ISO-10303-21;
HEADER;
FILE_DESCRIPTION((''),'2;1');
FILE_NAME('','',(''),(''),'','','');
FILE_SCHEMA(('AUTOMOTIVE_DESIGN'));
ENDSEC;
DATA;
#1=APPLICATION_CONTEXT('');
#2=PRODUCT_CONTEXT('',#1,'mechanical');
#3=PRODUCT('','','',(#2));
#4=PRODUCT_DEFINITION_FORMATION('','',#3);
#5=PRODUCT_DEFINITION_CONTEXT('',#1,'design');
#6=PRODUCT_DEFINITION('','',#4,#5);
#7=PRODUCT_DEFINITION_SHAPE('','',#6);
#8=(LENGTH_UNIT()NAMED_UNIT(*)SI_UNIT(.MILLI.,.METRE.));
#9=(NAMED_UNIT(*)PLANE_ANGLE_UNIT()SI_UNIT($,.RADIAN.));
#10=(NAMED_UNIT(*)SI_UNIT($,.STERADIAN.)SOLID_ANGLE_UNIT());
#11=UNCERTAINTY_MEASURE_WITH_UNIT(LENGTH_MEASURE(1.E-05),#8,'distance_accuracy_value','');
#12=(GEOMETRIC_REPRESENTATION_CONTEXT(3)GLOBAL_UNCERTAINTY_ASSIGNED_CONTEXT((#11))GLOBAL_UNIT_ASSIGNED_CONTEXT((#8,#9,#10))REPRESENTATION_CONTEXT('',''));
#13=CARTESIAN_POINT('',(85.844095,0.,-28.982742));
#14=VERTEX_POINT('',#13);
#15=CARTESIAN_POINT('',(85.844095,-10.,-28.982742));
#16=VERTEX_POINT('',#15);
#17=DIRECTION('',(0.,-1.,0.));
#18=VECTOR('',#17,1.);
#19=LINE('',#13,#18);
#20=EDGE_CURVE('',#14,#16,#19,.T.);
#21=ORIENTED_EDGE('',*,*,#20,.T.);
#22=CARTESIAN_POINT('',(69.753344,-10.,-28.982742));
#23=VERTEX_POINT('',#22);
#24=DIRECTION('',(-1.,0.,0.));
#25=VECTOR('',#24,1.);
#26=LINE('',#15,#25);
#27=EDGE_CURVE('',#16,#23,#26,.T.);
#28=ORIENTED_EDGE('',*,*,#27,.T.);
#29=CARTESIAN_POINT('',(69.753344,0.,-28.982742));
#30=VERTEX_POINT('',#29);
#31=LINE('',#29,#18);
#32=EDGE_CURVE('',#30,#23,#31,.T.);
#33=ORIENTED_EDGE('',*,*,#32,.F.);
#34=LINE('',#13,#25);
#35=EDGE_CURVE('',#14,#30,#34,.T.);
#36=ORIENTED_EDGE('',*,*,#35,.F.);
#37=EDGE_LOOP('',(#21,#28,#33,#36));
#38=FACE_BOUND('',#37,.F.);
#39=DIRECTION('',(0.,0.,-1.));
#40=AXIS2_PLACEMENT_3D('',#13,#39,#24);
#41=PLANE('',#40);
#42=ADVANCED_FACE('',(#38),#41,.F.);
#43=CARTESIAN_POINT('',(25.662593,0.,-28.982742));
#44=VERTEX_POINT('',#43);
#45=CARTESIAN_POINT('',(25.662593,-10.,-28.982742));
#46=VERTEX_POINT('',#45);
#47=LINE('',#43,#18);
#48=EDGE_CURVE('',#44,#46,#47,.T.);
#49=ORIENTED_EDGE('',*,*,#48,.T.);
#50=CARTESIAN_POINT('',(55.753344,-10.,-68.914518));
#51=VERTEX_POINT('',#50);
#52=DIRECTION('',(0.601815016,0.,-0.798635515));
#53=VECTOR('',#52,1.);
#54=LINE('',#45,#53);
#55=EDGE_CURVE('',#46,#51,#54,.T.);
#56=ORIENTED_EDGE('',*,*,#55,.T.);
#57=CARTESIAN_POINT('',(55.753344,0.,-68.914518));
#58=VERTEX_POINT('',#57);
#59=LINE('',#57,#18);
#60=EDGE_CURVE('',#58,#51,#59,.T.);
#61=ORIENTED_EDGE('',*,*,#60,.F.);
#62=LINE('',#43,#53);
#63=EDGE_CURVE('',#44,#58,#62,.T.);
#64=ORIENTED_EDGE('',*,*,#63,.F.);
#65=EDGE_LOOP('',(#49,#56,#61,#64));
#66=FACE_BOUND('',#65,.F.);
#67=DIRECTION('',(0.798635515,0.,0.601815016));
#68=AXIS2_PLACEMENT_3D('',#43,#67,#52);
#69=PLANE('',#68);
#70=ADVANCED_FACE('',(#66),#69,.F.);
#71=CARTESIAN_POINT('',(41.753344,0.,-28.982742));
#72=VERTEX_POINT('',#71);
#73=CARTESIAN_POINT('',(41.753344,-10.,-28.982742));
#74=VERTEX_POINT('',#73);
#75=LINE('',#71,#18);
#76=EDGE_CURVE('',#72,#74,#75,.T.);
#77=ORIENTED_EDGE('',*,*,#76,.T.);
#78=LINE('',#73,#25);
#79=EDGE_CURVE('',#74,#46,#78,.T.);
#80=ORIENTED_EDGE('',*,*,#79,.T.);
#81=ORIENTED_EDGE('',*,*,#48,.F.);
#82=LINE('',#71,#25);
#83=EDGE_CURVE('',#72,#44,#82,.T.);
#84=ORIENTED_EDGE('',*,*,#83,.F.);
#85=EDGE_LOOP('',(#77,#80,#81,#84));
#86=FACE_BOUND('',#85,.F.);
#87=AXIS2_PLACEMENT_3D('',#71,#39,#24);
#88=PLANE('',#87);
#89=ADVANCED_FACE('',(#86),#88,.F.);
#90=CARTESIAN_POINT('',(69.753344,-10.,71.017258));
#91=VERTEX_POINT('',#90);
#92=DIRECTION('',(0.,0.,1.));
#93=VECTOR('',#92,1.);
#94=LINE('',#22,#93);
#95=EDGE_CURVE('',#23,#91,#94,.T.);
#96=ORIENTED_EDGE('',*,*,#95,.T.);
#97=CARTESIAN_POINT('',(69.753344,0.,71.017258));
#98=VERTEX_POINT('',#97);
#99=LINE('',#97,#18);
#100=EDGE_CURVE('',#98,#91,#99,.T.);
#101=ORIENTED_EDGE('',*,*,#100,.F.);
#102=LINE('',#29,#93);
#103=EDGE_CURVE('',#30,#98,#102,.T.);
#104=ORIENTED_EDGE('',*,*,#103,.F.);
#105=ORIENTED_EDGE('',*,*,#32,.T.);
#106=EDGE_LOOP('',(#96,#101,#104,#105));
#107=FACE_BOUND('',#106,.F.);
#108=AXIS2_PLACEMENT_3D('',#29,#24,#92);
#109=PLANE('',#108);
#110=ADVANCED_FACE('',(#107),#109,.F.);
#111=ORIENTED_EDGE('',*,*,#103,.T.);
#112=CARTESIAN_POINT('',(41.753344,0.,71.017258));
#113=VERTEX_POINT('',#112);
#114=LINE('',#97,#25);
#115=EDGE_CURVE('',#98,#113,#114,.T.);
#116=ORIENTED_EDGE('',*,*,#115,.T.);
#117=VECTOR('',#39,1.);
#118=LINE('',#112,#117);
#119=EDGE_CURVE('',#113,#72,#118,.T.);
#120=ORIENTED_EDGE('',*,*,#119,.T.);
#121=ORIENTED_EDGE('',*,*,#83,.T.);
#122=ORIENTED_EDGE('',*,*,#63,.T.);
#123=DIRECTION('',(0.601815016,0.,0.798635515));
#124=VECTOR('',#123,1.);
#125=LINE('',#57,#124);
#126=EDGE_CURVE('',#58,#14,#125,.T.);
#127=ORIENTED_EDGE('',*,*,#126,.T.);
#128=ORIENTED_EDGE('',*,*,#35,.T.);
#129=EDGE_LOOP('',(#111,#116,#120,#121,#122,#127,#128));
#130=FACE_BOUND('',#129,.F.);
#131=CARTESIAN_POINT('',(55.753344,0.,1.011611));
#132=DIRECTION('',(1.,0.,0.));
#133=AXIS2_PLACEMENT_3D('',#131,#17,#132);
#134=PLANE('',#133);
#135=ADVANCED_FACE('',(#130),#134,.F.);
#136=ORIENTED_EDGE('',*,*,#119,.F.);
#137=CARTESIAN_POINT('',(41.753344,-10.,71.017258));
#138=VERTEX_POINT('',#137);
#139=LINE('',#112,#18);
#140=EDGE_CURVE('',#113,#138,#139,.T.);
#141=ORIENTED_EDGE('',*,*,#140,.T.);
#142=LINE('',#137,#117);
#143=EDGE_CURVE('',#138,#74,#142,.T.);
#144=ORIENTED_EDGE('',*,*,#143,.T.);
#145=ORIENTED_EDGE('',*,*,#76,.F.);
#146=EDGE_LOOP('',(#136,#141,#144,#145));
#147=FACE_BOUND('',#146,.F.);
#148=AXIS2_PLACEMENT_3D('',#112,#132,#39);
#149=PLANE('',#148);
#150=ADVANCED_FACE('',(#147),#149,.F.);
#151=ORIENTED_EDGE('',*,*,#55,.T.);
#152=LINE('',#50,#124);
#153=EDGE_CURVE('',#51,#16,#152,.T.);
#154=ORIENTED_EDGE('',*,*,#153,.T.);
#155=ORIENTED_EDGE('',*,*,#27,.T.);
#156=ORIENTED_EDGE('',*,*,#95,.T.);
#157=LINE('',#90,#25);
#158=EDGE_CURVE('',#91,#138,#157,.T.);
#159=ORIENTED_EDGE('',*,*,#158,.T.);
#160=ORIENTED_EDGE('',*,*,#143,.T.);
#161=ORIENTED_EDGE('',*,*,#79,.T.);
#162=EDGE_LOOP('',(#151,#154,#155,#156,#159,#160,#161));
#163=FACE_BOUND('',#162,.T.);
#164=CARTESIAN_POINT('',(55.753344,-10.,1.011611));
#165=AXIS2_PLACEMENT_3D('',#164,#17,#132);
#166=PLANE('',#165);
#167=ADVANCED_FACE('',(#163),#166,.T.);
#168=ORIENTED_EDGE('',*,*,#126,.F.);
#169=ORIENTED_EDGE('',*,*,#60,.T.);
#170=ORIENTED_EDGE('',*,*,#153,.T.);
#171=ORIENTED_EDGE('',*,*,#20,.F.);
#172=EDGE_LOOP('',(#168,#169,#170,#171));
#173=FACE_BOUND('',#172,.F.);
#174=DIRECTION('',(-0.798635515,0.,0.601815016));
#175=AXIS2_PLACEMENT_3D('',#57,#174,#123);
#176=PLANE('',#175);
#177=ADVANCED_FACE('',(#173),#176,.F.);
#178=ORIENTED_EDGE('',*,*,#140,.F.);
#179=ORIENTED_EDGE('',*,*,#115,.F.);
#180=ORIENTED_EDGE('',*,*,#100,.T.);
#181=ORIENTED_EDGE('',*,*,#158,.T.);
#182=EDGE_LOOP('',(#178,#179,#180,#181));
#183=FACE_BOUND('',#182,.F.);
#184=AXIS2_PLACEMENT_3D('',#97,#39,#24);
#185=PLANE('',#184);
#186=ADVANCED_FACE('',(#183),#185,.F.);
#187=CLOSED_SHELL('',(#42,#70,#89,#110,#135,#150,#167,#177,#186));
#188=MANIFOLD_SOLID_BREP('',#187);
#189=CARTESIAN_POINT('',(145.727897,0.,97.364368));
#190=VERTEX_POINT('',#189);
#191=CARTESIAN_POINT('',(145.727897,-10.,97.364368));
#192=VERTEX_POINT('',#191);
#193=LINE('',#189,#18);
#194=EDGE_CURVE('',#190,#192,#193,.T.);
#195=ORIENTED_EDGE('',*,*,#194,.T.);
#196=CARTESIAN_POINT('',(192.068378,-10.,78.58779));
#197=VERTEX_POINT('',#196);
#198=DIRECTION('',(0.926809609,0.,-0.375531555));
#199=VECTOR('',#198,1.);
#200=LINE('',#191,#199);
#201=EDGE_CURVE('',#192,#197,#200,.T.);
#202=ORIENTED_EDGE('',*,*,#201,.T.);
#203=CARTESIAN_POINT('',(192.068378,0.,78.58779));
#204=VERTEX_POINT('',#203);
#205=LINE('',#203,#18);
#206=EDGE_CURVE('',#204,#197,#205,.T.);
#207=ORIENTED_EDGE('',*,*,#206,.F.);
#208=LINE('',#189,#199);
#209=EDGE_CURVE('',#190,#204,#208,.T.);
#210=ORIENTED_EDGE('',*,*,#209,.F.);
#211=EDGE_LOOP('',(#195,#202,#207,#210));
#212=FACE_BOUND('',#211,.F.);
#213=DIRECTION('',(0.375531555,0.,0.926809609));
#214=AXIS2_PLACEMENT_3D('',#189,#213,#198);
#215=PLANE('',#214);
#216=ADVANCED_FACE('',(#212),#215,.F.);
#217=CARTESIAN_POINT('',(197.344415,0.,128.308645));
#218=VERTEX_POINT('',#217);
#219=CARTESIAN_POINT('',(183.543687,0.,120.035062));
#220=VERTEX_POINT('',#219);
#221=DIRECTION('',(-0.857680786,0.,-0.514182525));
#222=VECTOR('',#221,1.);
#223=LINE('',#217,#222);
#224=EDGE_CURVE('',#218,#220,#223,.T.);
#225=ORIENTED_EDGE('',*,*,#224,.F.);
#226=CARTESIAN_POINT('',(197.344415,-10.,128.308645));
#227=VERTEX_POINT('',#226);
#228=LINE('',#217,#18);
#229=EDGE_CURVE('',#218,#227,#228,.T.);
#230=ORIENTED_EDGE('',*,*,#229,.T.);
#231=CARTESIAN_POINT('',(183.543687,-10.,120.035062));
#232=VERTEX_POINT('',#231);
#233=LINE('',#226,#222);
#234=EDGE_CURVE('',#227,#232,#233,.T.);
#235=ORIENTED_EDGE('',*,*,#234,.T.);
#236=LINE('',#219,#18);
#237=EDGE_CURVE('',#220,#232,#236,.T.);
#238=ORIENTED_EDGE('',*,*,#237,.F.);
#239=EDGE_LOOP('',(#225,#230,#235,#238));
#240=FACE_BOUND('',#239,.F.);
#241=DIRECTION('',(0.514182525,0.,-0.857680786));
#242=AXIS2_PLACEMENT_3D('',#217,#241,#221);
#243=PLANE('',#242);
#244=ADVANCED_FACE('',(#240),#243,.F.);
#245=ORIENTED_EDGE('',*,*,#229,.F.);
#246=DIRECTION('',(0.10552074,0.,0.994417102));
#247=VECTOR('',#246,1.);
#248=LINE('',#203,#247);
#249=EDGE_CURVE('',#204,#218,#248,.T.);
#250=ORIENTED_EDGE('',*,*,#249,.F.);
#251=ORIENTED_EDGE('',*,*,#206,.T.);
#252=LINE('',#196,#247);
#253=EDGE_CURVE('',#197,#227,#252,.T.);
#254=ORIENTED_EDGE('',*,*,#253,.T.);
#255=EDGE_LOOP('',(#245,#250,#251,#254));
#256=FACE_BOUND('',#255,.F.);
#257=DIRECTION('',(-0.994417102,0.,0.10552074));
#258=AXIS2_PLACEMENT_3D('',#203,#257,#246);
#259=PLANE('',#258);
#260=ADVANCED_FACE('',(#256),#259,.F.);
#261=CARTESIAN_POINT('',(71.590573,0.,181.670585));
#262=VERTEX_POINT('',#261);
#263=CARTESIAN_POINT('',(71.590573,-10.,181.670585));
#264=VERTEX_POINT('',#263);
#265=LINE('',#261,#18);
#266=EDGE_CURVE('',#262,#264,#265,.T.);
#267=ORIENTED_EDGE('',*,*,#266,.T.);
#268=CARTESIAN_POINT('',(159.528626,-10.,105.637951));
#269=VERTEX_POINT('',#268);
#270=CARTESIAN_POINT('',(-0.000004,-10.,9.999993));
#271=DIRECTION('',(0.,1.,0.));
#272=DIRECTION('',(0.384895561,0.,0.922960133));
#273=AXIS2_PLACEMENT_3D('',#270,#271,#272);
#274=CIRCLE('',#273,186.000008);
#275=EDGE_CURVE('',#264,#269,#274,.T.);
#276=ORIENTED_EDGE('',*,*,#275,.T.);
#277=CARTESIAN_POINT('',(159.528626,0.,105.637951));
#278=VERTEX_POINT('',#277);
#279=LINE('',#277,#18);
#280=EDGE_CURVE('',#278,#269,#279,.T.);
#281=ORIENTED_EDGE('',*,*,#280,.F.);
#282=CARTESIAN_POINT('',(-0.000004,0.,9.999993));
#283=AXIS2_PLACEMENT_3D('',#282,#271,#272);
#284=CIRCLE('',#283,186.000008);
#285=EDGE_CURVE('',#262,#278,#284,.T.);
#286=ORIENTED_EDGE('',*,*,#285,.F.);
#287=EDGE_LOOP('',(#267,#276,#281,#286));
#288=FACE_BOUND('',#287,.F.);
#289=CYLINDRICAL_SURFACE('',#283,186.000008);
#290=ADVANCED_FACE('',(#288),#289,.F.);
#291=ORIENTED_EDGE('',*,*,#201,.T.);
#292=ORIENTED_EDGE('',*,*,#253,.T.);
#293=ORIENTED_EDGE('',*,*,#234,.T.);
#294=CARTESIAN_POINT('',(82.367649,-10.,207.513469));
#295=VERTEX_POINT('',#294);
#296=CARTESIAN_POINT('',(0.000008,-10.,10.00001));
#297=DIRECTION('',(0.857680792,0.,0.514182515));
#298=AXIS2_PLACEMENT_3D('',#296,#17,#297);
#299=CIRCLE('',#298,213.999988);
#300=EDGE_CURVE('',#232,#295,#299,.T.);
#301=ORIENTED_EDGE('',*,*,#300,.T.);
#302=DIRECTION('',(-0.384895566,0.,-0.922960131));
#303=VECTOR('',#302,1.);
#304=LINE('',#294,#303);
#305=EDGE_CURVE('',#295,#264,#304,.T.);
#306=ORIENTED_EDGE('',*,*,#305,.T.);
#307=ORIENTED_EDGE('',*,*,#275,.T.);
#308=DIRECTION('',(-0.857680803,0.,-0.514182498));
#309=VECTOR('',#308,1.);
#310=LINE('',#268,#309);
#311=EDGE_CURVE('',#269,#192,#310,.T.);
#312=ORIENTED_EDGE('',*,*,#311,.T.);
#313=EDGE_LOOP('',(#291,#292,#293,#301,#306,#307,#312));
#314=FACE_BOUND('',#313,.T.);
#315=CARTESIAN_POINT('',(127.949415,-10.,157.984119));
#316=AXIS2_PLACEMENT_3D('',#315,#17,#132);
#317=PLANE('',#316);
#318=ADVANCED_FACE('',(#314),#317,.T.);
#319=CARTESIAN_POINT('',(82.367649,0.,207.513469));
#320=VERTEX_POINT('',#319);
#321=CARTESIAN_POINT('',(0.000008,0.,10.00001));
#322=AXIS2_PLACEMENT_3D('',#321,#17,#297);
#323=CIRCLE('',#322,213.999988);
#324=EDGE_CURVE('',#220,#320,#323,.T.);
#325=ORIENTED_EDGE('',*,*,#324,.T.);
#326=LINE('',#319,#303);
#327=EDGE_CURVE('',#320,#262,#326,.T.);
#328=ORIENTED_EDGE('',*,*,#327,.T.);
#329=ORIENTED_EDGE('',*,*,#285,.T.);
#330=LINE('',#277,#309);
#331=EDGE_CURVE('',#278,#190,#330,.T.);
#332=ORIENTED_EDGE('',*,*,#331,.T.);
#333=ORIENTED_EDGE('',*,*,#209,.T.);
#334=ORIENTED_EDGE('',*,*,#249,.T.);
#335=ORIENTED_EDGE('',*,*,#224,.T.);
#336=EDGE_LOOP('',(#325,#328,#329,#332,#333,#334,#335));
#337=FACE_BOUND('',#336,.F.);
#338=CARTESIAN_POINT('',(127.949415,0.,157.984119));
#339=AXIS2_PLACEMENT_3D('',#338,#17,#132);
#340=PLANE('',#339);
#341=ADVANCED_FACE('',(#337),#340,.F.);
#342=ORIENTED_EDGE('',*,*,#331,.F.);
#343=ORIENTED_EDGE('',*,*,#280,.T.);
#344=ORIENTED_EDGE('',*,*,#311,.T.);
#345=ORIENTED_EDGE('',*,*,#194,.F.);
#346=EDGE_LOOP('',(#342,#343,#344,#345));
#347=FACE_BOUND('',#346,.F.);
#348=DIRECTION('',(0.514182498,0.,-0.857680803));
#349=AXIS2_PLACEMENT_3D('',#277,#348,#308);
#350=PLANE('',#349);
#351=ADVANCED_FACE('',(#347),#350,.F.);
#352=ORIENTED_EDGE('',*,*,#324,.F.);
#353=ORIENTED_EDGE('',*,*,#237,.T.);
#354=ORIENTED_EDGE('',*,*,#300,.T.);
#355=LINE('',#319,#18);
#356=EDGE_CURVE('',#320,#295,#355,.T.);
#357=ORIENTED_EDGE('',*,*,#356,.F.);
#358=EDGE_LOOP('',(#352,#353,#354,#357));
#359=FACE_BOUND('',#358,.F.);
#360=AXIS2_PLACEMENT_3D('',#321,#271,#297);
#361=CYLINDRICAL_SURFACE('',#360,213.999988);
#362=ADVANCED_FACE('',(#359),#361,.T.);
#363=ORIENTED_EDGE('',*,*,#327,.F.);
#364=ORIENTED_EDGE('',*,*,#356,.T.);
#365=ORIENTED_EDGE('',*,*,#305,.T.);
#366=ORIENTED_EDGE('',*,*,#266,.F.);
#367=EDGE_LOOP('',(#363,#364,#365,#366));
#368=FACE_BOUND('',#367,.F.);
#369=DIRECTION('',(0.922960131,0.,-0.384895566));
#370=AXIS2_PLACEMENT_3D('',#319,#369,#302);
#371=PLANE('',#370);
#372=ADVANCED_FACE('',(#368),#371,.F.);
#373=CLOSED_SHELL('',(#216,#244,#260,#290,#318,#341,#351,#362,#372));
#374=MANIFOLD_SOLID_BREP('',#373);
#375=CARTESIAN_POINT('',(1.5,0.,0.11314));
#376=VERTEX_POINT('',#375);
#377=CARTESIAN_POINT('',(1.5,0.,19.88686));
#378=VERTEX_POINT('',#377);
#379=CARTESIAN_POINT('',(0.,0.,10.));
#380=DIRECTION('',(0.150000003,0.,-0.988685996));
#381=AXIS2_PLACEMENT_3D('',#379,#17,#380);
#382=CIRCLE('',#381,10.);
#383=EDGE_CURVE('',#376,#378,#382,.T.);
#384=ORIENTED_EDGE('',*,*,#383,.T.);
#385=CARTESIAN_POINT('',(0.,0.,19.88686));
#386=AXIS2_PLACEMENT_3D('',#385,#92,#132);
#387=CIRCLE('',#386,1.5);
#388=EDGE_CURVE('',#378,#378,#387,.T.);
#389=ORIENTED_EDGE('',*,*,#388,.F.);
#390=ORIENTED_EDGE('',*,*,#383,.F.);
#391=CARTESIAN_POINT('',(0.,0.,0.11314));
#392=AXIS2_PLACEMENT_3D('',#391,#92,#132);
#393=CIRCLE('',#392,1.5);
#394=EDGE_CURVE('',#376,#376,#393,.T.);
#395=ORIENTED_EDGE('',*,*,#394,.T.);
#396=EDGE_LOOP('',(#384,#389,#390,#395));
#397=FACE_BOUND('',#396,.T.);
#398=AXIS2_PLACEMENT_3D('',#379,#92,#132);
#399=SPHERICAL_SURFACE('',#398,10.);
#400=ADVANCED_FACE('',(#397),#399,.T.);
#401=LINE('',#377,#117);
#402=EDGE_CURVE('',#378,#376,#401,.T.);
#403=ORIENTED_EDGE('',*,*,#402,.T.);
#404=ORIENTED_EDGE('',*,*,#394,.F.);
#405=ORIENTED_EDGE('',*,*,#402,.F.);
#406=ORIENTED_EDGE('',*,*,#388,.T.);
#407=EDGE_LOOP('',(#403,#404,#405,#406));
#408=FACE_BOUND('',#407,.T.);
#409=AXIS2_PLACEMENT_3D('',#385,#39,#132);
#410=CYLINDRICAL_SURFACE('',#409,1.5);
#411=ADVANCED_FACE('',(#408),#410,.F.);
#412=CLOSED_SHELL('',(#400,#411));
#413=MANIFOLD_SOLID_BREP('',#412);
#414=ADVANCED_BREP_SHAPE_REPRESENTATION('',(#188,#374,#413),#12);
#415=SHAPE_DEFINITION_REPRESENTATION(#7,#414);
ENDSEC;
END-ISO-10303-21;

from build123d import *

# Parameters (mm, degrees)
F2_DEPTH = 10


with BuildPart() as f1:
    # F0 (on Front) → F1 (revolve)
    with BuildSketch(Plane.XZ):
        with BuildLine():
            Line((1.5, 19.88686), (1.5, 0.11314))
            ThreePointArc((1.5, 0.11314), (10, 10), (1.5, 19.88686))
        make_face()
    revolve(axis=Axis((0, 0, 10), (0, 0, 1)))


with BuildPart() as f2:
    # F0 (on Front) → F2 (new body)
    with BuildSketch(Plane.XZ):
        with BuildLine():
            Line((171.536156, 112.836506), (183.543687, 120.035062))
            ThreePointArc((183.543687, 120.035062), (139.965452, 171.881662), (82.367649, 207.513469))
            Line((82.367649, 207.513469), (71.590573, 181.670585))
            ThreePointArc((71.590573, 181.670585), (121.652215, 150.700883), (159.528626, 105.637951))
            Line((159.528626, 105.637951), (171.536156, 112.836506))
        make_face()
        Polygon((192.068378, 78.58779), (197.344415, 128.308645), (183.543687, 120.035062), (171.536156, 112.836506), (159.528626, 105.637951), (145.727897, 97.364368), align=None)
        Polygon((55.753344, 71.017258), (41.753344, 71.017258), (41.753344, -28.982742), (25.662593, -28.982742), (55.753344, -68.914518), (85.844095, -28.982742), (69.753344, -28.982742), (69.753344, 71.017258), align=None)
    extrude(amount=F2_DEPTH)


solid = Compound([f1.part, f2.part])
